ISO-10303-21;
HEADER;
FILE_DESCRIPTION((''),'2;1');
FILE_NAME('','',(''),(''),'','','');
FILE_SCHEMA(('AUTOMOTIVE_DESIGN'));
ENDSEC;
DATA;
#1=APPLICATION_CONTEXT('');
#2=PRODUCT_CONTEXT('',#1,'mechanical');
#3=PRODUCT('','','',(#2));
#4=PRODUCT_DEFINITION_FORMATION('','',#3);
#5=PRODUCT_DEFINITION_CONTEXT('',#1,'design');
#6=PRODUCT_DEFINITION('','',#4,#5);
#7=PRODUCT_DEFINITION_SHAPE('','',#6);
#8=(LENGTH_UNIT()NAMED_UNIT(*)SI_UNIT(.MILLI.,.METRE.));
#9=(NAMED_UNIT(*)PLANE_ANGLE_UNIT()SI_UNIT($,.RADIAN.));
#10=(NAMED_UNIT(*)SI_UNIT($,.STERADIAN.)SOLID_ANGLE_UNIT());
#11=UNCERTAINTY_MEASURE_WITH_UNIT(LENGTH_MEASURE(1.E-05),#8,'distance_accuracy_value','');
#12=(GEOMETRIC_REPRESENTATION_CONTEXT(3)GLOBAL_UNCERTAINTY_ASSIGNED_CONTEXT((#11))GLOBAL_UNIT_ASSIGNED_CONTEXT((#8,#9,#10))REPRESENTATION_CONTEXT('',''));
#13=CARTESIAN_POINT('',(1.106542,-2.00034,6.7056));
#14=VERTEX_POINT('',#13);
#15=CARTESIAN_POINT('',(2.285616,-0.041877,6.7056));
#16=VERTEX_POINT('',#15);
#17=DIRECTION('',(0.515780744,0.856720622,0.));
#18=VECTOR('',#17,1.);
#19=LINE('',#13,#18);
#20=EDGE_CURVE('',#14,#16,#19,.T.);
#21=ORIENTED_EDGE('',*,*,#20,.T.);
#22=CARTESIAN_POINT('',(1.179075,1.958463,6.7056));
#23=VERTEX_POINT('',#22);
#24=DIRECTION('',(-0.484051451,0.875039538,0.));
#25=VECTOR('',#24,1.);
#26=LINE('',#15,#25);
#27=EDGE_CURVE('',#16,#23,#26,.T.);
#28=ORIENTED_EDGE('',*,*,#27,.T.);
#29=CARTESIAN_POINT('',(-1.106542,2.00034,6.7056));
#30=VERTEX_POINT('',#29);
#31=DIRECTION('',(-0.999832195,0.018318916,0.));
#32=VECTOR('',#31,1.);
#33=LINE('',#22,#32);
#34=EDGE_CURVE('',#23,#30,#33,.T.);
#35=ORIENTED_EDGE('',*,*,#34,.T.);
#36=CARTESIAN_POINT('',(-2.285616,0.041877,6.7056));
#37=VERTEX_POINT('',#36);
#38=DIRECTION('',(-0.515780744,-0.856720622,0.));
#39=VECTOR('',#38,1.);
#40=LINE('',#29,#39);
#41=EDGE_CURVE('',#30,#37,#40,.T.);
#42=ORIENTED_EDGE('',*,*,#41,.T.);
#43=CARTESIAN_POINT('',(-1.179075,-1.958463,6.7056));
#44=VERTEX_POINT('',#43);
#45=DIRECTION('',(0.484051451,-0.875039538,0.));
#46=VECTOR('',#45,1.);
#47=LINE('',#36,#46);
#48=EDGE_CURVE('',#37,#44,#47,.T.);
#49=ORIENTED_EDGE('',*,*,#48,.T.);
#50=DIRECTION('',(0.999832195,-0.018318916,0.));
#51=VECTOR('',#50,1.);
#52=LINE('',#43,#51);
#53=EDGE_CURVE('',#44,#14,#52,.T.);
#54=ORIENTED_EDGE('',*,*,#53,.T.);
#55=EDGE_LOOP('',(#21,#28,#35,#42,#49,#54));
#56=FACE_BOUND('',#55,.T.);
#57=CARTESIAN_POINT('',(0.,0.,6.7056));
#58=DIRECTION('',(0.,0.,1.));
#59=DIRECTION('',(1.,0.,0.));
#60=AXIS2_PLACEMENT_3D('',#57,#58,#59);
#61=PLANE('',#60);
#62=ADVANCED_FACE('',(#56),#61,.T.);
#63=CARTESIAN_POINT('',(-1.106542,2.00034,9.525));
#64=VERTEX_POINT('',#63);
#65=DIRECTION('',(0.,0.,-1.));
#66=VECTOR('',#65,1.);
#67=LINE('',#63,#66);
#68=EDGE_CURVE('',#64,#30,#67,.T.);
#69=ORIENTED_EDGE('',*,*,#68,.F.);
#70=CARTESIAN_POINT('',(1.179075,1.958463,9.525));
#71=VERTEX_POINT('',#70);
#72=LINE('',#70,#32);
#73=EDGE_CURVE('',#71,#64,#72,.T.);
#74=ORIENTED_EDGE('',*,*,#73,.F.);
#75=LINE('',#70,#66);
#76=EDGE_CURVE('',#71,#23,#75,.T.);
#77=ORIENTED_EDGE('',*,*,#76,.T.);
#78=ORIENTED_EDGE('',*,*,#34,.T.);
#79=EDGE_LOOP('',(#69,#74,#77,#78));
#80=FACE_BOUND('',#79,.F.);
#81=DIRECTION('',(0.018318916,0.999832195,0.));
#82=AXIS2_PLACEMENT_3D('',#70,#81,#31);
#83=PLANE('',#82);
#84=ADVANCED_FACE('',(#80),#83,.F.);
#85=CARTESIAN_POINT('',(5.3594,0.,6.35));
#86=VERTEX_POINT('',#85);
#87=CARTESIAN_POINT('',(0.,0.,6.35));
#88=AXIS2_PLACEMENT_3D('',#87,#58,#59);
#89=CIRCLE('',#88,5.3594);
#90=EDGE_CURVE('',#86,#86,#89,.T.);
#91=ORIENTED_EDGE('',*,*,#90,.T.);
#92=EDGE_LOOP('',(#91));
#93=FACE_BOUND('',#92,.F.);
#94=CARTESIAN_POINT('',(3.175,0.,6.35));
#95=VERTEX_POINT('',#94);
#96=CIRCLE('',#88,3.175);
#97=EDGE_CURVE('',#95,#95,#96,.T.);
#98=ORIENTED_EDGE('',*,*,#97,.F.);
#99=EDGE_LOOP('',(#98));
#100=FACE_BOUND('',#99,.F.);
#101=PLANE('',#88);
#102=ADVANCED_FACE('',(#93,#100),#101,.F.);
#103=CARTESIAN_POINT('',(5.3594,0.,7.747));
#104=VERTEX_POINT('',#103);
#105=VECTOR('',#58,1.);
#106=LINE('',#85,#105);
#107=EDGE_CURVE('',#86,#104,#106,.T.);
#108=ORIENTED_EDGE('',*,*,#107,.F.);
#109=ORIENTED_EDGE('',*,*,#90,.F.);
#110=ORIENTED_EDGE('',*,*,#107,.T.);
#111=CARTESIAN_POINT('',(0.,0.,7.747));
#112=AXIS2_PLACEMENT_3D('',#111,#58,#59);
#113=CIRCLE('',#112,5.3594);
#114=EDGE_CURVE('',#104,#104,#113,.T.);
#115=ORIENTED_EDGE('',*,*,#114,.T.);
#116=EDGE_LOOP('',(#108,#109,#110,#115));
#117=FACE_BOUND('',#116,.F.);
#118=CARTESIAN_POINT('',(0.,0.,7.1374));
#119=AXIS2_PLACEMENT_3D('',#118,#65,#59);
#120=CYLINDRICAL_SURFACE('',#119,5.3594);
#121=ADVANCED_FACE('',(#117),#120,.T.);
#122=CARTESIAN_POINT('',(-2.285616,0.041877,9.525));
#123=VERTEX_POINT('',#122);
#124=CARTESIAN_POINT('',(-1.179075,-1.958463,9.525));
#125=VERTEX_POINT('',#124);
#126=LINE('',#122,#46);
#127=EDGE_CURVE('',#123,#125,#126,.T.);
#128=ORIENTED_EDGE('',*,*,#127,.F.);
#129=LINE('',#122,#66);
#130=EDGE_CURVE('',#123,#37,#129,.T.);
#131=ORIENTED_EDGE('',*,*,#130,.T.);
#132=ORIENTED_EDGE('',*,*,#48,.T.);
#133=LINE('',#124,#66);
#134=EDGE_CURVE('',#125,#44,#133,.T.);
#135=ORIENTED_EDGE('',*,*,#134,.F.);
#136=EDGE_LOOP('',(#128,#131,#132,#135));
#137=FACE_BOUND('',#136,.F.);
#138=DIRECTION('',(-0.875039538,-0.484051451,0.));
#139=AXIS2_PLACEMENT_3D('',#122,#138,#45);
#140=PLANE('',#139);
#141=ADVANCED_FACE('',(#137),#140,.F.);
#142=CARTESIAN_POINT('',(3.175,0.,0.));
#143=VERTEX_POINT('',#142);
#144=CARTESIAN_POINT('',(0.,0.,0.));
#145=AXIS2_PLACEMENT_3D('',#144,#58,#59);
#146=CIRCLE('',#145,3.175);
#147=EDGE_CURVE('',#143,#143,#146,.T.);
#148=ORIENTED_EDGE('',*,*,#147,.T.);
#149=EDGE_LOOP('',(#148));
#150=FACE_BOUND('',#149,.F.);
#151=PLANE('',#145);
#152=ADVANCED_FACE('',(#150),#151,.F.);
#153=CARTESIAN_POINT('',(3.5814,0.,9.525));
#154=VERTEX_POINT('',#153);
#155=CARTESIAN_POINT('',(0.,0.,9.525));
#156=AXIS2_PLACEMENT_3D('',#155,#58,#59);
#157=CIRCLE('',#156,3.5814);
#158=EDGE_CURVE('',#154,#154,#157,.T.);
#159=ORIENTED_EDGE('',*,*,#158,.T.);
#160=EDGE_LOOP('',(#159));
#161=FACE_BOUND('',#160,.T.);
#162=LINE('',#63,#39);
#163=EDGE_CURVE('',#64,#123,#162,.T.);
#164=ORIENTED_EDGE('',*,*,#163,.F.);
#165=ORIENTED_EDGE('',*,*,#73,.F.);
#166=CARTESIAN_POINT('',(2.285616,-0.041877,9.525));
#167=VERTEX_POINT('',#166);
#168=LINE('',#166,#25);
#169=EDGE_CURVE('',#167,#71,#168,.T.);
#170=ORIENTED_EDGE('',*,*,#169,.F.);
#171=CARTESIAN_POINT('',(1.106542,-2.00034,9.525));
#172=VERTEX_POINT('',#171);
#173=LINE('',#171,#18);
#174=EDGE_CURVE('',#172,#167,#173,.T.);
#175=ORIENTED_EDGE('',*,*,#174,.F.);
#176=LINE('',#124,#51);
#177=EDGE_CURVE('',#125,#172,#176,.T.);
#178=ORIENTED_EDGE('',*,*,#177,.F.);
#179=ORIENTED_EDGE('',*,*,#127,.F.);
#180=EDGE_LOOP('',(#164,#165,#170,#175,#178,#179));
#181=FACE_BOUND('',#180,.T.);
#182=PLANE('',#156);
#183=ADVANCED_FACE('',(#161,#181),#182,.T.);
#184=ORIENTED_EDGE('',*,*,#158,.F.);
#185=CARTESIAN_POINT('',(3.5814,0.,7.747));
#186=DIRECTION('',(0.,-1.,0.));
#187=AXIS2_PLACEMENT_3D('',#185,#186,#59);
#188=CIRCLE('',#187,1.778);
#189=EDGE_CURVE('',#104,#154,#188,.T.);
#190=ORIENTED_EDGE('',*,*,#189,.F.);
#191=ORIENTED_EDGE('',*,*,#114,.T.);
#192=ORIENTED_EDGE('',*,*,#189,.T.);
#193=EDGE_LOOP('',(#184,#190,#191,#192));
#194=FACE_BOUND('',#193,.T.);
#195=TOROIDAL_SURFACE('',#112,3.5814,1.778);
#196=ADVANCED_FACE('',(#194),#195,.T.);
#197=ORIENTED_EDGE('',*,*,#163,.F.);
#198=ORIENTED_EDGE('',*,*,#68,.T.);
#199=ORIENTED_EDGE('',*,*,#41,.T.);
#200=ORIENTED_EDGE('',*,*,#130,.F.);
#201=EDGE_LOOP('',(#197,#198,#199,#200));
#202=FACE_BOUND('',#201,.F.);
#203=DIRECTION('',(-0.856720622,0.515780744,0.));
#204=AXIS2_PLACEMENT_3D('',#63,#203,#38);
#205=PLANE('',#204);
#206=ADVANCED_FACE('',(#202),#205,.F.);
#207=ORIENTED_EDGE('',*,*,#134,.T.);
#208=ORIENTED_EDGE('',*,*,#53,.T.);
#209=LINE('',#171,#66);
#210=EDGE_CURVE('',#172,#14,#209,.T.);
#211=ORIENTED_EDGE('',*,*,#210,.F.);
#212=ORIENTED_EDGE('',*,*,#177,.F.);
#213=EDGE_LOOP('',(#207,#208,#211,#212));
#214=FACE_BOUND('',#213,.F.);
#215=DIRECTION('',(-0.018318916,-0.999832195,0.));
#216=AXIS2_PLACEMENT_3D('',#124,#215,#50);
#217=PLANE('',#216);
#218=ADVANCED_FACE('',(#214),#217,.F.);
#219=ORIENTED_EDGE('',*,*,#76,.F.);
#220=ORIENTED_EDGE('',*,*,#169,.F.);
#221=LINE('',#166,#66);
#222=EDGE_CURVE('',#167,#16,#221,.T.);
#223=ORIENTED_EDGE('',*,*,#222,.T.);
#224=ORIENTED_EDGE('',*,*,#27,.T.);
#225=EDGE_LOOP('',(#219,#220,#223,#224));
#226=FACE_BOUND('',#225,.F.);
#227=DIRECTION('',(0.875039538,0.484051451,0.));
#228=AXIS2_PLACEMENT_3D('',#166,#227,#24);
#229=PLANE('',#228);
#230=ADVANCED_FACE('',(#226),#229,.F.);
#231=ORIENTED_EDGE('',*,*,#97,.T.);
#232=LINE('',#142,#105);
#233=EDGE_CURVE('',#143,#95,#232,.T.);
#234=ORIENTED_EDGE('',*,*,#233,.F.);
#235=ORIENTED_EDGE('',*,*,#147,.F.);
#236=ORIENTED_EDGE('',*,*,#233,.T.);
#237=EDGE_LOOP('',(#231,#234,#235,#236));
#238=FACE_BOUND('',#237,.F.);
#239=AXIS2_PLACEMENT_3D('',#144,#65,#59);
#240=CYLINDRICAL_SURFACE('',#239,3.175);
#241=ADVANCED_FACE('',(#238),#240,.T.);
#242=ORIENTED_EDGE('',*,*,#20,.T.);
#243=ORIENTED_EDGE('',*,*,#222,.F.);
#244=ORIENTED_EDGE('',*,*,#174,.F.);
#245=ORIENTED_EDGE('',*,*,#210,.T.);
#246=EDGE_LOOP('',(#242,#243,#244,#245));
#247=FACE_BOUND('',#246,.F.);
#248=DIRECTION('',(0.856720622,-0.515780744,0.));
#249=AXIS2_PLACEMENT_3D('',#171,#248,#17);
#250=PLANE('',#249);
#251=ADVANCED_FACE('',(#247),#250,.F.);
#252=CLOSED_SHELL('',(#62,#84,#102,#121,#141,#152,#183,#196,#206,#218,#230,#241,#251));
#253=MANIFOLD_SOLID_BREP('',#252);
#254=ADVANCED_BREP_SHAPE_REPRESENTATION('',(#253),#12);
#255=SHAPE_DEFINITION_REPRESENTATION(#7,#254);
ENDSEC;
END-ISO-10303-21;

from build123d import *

# Parameters (mm, degrees)
F0_R     = 3.175
F1_DEPTH = 6.35
F2_R     = 5.3594
F3_DEPTH = 0.7874
F4_R     = 5.3594
F5_DEPTH = 2.3876
F6_R     = 1.778
F8_DEPTH = 2.8194


with BuildPart() as f1:
    # F0 (on Top) → F1 (new body)
    with BuildSketch(Plane.XY):
        Circle(F0_R)
    extrude(amount=F1_DEPTH)

    # F2 (on face) → F3 (join)
    with BuildSketch(Plane.XY.offset(6.35)):
        Circle(F2_R)
    extrude(amount=F3_DEPTH)

    # F4 (on face) → F5 (join)
    with BuildSketch(Plane.XY.offset(7.1374)):
        Circle(F4_R)
    extrude(amount=F5_DEPTH)

    # F6
    f6_edges = [f1.edges().sort_by_distance(p)[0] for p in [
        (-5.3594, 0, 9.525),
    ]]
    fillet(f6_edges, radius=F6_R)

    # F7 (on face) → F8 (cut)
    with BuildSketch(Plane.XY.offset(9.525)):
        Polygon((1.1065416167, -2.0003403837), (2.2856163968, -0.0418770414), (1.1790747801, 1.9584633423), (-1.1065416167, 2.0003403837), (-2.2856163968, 0.0418770414), (-1.1790747801, -1.9584633423), align=None)
    extrude(amount=-F8_DEPTH, mode=Mode.SUBTRACT)


solid = f1.part
